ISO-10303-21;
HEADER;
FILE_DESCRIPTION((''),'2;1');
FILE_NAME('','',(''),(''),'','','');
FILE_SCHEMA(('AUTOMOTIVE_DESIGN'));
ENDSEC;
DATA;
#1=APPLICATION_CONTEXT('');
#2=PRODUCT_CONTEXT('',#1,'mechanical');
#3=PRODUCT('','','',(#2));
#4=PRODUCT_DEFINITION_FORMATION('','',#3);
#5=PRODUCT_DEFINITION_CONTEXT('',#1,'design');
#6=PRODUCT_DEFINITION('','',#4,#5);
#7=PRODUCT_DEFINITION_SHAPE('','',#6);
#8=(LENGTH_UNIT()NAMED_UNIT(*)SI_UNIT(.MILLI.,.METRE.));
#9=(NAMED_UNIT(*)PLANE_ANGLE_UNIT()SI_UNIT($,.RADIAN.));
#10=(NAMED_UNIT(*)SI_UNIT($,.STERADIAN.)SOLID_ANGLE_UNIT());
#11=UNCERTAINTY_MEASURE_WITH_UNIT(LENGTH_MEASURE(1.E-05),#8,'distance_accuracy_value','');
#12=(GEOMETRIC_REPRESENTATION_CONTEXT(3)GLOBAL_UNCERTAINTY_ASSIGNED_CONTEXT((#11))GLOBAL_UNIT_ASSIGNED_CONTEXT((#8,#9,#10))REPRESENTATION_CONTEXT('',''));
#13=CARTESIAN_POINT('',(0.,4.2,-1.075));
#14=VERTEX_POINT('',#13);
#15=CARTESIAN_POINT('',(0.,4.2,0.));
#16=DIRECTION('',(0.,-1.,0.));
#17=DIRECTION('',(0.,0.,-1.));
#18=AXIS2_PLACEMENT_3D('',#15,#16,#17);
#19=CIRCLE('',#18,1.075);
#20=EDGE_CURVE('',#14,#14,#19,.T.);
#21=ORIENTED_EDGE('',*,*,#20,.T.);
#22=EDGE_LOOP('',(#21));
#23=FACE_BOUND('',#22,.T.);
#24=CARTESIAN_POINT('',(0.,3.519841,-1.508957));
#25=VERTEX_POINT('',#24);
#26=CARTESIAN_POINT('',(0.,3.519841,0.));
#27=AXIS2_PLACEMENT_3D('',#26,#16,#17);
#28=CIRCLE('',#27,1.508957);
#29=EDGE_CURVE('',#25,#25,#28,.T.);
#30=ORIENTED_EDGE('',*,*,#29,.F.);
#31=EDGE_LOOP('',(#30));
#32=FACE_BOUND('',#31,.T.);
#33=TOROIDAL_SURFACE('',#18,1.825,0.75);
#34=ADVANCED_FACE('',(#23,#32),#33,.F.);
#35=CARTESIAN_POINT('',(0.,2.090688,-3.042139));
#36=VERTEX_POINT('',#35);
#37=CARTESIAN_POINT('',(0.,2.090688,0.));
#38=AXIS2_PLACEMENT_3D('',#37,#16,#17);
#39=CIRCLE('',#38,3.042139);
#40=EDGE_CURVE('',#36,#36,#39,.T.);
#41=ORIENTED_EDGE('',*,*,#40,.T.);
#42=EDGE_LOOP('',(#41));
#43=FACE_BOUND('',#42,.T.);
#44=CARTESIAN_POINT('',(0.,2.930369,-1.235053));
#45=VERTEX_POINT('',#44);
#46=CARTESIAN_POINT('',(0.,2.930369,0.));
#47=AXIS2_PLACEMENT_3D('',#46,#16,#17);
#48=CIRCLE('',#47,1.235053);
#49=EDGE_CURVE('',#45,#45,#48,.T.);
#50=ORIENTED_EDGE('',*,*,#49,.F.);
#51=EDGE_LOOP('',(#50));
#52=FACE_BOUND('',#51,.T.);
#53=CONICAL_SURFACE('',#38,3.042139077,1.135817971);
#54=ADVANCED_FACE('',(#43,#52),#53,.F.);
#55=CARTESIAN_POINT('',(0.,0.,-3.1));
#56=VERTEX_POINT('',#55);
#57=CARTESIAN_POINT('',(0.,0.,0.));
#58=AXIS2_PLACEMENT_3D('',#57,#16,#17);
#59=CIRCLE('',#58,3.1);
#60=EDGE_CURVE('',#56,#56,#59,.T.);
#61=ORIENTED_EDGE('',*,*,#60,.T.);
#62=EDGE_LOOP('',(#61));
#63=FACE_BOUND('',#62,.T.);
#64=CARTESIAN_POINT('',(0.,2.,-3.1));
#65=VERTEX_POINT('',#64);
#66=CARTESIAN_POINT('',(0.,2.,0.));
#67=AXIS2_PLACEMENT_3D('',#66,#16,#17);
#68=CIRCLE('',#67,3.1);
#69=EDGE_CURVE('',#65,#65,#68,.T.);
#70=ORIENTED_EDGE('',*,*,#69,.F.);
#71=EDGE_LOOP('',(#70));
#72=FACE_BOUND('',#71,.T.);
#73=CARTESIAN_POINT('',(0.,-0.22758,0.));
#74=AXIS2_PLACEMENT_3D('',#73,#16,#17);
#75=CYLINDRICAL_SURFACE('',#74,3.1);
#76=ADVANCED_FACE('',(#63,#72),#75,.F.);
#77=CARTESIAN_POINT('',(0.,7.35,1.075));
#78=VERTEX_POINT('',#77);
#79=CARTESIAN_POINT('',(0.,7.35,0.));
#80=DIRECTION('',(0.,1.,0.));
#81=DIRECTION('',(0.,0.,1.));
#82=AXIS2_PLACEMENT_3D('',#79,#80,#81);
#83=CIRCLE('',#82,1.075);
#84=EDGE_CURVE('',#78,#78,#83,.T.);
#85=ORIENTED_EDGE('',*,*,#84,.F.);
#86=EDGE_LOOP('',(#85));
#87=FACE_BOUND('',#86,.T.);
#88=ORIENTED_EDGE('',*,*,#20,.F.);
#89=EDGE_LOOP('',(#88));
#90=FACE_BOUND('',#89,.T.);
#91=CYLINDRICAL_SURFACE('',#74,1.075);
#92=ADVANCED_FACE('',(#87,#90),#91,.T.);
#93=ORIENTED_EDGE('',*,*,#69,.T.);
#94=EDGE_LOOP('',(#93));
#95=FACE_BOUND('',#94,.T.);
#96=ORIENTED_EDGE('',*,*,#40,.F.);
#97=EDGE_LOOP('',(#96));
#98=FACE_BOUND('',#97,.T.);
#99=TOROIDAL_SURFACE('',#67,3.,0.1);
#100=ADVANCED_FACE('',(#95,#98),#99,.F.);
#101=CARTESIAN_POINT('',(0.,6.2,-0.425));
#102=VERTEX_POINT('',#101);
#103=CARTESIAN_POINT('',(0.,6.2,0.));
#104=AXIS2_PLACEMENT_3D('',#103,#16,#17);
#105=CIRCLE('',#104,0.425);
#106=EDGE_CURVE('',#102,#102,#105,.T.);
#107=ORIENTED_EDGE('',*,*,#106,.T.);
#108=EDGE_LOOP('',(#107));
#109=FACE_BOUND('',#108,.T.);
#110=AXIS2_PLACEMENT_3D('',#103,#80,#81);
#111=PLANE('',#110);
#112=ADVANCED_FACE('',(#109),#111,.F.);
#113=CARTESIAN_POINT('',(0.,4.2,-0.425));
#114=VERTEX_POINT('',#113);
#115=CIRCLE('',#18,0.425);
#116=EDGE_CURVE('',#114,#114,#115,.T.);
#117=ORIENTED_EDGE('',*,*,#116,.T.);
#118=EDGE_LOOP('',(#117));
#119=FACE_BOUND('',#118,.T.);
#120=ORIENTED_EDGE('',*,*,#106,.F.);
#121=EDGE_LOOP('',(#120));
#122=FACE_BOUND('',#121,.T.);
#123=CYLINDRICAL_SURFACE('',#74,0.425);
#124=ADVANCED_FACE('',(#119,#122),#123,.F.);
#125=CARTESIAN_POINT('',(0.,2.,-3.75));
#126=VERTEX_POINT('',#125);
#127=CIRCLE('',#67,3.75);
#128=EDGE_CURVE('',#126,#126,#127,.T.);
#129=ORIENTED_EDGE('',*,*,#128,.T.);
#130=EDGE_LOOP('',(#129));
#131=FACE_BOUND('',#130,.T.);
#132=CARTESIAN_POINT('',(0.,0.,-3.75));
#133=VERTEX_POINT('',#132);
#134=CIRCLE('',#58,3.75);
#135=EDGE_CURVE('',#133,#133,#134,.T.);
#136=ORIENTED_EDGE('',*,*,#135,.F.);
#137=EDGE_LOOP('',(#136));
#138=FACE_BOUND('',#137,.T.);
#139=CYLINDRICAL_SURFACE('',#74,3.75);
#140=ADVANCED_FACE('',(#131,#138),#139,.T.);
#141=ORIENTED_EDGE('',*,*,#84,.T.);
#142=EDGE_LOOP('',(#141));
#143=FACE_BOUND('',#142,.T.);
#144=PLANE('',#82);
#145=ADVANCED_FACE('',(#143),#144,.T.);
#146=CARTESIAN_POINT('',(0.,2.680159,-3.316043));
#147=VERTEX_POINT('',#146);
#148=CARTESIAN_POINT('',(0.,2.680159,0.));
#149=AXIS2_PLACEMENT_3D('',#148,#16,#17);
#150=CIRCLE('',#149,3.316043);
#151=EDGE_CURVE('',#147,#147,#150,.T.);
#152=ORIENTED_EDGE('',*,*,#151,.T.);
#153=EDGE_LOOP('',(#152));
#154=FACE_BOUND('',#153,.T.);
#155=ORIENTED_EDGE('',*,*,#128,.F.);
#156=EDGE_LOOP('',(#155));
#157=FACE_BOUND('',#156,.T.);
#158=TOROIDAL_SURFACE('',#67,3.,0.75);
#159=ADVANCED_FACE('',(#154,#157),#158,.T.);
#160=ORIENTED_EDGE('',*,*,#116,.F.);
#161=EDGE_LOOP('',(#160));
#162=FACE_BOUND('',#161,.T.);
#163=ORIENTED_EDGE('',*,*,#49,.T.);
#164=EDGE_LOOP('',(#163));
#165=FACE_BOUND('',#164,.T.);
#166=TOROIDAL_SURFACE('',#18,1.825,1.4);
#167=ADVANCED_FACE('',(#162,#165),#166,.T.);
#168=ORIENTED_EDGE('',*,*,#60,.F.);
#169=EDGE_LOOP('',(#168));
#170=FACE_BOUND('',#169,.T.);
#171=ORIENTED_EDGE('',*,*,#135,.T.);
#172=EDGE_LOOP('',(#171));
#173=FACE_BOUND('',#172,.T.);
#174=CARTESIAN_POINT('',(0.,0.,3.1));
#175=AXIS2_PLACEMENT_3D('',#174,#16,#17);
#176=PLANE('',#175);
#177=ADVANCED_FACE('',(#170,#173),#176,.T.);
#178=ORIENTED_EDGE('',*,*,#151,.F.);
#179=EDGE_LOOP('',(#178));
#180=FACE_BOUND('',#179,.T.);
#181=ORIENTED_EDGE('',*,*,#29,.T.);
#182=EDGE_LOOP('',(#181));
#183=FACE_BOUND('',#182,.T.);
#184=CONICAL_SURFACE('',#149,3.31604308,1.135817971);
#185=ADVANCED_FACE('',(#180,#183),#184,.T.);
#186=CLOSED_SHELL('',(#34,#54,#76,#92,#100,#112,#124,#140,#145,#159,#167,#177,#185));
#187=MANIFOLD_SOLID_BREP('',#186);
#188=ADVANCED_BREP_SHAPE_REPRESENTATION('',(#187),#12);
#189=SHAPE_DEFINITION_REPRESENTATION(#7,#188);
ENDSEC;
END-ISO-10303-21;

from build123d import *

# Parameters (mm, degrees)
SKETCH8_R           = 1.075
BOSS_EXTRUDE1_DEPTH = 1.15


with BuildPart() as part:
    # Sketch6 → Revolve-Thin2 (revolve)
    with BuildSketch(Plane(origin=(0, 0, 0), x_dir=(0, 0, -1), z_dir=(1, 0, 0))):
        with BuildLine():
            Line((-3.75, 0), (-3.75, 2))
            ThreePointArc((-3.75, 2), (-3.632270634, 2.403402832), (-3.31604308, 2.680159372))
            Line((-3.31604308, 2.680159372), (-1.50895692, 3.519840628))
            ThreePointArc((-1.50895692, 3.519840628), (-1.192729366, 3.796597168), (-1.075, 4.2))
            Line((-1.075, 4.2), (-1.075, 6.2))
            Line((-1.075, 6.2), (-0.425, 6.2))
            Line((-0.425, 6.2), (-0.425, 4.2))
            ThreePointArc((-0.425, 4.2), (-0.644761483, 3.44698138), (-1.235052917, 2.930369172))
            Line((-1.235052917, 2.930369172), (-3.042139077, 2.090687916))
            ThreePointArc((-3.042139077, 2.090687916), (-3.084302751, 2.053787044), (-3.1, 2))
            Line((-3.1, 2), (-3.1, 0))
            Line((-3.1, 0), (-3.75, 0))
        make_face()
    revolve(axis=Axis((0, -0.227579974, 0), (0, 1, 0)))

    # Sketch8 → Boss-Extrude1 (add)
    with BuildSketch(Plane(origin=(0, 6.2, 0), x_dir=(1, 0, 0), z_dir=(0, 1, 0))):
        Circle(SKETCH8_R)
    extrude(amount=BOSS_EXTRUDE1_DEPTH)


solid = part.part
